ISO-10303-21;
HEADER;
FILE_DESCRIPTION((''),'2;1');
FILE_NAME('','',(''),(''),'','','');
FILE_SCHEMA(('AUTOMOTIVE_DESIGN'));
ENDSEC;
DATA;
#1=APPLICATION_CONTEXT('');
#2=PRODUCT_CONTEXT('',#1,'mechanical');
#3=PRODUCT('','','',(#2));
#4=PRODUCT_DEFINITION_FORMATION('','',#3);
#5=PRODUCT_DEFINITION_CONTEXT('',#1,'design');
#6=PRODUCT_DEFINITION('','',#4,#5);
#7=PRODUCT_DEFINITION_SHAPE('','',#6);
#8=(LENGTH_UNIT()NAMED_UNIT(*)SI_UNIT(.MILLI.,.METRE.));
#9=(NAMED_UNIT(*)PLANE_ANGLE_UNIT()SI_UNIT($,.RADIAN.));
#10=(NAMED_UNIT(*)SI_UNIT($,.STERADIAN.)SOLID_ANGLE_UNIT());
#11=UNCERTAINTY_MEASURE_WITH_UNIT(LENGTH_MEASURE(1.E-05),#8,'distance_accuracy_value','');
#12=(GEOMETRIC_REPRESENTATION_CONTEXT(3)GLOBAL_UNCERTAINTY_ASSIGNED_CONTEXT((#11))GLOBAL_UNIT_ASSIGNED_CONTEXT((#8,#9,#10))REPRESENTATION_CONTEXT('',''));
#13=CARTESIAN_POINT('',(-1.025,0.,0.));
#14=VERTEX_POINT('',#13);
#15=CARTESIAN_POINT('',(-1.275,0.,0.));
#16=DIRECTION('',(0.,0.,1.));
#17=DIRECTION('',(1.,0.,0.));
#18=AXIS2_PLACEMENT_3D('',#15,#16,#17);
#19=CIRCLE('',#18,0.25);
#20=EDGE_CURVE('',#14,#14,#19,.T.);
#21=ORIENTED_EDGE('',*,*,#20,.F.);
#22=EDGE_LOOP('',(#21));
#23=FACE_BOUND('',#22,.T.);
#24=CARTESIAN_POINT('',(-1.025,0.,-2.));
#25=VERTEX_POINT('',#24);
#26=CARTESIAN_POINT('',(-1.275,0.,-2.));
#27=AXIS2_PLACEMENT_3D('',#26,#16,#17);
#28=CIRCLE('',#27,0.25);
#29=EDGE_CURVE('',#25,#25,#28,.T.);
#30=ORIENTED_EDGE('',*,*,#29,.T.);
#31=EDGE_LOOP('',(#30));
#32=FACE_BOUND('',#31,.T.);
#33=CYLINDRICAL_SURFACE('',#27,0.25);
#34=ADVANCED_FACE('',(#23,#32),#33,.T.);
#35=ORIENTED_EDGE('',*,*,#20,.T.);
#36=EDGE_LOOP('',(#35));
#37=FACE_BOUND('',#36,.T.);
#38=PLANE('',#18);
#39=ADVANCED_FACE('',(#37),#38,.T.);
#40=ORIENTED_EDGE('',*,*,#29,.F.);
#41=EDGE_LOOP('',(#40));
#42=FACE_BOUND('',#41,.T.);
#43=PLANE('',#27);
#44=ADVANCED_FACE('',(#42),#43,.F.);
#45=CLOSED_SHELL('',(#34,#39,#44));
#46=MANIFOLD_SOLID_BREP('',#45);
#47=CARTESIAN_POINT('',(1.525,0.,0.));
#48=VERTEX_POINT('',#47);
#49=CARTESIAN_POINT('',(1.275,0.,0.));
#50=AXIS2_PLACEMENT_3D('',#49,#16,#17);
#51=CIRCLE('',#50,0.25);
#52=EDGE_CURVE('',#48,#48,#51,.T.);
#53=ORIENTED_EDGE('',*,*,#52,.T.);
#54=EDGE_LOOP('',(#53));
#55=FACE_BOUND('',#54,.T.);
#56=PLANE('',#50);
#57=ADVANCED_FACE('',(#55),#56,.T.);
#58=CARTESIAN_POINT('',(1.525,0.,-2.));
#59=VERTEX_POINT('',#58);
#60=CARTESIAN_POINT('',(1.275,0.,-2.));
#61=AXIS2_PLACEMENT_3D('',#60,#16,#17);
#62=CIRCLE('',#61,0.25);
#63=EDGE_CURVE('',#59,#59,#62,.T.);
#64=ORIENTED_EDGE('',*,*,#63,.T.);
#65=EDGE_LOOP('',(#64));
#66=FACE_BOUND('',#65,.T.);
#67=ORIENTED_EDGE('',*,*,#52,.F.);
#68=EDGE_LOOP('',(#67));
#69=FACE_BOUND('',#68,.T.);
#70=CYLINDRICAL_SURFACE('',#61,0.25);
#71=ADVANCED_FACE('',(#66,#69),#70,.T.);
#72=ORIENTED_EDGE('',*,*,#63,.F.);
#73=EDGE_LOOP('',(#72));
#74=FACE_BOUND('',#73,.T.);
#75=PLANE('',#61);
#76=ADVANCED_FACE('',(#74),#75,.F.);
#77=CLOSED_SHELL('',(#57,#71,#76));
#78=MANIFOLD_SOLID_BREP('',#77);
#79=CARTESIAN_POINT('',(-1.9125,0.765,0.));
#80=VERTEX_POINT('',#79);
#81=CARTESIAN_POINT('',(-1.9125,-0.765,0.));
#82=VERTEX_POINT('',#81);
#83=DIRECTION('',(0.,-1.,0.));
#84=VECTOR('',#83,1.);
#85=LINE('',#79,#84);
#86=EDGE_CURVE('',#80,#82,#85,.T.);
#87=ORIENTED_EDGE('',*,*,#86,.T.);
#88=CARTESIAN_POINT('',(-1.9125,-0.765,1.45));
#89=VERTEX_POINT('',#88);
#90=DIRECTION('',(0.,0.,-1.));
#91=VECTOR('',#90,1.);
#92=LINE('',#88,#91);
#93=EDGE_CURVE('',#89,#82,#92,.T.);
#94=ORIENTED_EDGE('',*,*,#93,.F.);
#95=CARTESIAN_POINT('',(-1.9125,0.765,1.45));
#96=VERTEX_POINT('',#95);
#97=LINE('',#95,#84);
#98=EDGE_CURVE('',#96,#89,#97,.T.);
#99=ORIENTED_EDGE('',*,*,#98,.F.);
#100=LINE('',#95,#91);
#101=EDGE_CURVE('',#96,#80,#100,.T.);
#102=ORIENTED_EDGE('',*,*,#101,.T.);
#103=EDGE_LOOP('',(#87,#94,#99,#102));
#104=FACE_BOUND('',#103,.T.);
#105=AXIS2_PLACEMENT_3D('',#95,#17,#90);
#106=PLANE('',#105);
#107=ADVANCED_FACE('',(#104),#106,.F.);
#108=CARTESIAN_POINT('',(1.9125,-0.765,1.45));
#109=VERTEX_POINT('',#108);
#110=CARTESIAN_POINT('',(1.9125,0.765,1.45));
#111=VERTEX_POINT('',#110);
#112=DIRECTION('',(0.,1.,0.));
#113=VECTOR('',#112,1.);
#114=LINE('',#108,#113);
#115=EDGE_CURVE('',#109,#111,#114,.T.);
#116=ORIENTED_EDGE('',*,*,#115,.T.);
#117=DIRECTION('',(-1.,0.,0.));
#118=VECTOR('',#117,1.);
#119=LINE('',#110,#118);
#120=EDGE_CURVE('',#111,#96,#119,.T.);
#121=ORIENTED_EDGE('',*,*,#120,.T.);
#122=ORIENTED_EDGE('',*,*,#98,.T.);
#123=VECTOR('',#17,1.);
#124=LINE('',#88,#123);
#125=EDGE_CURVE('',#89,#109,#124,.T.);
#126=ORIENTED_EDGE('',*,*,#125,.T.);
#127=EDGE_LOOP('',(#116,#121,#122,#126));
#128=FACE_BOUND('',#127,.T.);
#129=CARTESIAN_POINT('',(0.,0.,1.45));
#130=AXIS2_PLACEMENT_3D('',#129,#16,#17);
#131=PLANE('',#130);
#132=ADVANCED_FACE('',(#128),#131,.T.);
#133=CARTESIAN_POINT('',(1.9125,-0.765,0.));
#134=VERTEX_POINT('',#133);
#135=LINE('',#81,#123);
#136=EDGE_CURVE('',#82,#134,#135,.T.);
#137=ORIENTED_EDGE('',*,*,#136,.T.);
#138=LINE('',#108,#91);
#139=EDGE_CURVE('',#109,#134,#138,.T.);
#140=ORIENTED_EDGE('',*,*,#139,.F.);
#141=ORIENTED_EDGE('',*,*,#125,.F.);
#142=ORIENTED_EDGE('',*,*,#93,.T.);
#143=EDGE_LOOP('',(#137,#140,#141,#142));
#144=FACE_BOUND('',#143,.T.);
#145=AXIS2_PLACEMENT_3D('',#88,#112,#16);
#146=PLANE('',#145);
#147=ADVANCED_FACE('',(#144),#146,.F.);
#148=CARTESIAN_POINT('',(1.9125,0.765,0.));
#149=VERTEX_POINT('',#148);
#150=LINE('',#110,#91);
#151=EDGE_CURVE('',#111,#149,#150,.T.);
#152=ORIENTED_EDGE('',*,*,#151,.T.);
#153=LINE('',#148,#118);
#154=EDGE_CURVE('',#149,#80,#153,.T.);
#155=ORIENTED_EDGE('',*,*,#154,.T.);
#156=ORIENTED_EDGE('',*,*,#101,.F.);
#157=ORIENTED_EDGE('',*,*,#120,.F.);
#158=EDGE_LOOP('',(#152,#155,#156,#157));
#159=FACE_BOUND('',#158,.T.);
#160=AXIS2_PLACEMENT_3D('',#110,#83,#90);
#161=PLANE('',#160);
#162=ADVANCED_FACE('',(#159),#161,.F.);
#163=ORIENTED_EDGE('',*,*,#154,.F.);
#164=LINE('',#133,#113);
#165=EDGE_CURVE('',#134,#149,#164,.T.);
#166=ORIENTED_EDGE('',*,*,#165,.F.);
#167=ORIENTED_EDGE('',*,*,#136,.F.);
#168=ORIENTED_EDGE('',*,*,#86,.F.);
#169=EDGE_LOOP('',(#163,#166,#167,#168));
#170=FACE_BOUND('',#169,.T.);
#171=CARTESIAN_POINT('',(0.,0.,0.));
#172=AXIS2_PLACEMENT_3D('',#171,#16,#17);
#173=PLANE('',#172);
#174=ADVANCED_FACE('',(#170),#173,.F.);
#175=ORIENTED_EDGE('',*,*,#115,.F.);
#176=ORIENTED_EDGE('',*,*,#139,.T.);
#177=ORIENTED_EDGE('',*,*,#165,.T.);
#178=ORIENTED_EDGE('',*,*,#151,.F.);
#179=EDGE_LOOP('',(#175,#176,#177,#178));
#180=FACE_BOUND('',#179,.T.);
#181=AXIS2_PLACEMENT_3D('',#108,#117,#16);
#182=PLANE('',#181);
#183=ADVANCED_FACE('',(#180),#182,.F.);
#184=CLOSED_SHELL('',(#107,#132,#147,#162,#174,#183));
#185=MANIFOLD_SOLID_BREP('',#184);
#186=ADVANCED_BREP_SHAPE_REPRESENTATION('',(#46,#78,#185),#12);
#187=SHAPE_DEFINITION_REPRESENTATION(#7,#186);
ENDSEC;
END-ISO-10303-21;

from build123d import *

# Parameters (mm, degrees)
SKETCH1_W               = 3.825
SKETCH1_H               = 1.53
COMPONENT_OUTLINE_DEPTH = 1.45
SKETCH2_R               = 0.25
EXTRUDE_1_DEPTH         = 2
SKETCH3_R               = 0.25
EXTRUDE_2_DEPTH         = 2


with BuildPart() as part:
    # Sketch1 → Component_Outline (new body)
    with BuildSketch(Plane.XY):
        Rectangle(SKETCH1_W, SKETCH1_H)
    extrude(amount=COMPONENT_OUTLINE_DEPTH)


with BuildPart() as body_2:
    # Sketch2 → Extrude 1 (new body)
    with BuildSketch(Plane.XY):
        with Locations((-1.275, 0)):
            Circle(SKETCH2_R)
    extrude(amount=-EXTRUDE_1_DEPTH)


with BuildPart() as body_3:
    # Sketch3 → Extrude 2 (new body)
    with BuildSketch(Plane.XY):
        with Locations((1.275, 0)):
            Circle(SKETCH3_R)
    extrude(amount=-EXTRUDE_2_DEPTH)


solid = Compound([part.part, body_2.part, body_3.part])
